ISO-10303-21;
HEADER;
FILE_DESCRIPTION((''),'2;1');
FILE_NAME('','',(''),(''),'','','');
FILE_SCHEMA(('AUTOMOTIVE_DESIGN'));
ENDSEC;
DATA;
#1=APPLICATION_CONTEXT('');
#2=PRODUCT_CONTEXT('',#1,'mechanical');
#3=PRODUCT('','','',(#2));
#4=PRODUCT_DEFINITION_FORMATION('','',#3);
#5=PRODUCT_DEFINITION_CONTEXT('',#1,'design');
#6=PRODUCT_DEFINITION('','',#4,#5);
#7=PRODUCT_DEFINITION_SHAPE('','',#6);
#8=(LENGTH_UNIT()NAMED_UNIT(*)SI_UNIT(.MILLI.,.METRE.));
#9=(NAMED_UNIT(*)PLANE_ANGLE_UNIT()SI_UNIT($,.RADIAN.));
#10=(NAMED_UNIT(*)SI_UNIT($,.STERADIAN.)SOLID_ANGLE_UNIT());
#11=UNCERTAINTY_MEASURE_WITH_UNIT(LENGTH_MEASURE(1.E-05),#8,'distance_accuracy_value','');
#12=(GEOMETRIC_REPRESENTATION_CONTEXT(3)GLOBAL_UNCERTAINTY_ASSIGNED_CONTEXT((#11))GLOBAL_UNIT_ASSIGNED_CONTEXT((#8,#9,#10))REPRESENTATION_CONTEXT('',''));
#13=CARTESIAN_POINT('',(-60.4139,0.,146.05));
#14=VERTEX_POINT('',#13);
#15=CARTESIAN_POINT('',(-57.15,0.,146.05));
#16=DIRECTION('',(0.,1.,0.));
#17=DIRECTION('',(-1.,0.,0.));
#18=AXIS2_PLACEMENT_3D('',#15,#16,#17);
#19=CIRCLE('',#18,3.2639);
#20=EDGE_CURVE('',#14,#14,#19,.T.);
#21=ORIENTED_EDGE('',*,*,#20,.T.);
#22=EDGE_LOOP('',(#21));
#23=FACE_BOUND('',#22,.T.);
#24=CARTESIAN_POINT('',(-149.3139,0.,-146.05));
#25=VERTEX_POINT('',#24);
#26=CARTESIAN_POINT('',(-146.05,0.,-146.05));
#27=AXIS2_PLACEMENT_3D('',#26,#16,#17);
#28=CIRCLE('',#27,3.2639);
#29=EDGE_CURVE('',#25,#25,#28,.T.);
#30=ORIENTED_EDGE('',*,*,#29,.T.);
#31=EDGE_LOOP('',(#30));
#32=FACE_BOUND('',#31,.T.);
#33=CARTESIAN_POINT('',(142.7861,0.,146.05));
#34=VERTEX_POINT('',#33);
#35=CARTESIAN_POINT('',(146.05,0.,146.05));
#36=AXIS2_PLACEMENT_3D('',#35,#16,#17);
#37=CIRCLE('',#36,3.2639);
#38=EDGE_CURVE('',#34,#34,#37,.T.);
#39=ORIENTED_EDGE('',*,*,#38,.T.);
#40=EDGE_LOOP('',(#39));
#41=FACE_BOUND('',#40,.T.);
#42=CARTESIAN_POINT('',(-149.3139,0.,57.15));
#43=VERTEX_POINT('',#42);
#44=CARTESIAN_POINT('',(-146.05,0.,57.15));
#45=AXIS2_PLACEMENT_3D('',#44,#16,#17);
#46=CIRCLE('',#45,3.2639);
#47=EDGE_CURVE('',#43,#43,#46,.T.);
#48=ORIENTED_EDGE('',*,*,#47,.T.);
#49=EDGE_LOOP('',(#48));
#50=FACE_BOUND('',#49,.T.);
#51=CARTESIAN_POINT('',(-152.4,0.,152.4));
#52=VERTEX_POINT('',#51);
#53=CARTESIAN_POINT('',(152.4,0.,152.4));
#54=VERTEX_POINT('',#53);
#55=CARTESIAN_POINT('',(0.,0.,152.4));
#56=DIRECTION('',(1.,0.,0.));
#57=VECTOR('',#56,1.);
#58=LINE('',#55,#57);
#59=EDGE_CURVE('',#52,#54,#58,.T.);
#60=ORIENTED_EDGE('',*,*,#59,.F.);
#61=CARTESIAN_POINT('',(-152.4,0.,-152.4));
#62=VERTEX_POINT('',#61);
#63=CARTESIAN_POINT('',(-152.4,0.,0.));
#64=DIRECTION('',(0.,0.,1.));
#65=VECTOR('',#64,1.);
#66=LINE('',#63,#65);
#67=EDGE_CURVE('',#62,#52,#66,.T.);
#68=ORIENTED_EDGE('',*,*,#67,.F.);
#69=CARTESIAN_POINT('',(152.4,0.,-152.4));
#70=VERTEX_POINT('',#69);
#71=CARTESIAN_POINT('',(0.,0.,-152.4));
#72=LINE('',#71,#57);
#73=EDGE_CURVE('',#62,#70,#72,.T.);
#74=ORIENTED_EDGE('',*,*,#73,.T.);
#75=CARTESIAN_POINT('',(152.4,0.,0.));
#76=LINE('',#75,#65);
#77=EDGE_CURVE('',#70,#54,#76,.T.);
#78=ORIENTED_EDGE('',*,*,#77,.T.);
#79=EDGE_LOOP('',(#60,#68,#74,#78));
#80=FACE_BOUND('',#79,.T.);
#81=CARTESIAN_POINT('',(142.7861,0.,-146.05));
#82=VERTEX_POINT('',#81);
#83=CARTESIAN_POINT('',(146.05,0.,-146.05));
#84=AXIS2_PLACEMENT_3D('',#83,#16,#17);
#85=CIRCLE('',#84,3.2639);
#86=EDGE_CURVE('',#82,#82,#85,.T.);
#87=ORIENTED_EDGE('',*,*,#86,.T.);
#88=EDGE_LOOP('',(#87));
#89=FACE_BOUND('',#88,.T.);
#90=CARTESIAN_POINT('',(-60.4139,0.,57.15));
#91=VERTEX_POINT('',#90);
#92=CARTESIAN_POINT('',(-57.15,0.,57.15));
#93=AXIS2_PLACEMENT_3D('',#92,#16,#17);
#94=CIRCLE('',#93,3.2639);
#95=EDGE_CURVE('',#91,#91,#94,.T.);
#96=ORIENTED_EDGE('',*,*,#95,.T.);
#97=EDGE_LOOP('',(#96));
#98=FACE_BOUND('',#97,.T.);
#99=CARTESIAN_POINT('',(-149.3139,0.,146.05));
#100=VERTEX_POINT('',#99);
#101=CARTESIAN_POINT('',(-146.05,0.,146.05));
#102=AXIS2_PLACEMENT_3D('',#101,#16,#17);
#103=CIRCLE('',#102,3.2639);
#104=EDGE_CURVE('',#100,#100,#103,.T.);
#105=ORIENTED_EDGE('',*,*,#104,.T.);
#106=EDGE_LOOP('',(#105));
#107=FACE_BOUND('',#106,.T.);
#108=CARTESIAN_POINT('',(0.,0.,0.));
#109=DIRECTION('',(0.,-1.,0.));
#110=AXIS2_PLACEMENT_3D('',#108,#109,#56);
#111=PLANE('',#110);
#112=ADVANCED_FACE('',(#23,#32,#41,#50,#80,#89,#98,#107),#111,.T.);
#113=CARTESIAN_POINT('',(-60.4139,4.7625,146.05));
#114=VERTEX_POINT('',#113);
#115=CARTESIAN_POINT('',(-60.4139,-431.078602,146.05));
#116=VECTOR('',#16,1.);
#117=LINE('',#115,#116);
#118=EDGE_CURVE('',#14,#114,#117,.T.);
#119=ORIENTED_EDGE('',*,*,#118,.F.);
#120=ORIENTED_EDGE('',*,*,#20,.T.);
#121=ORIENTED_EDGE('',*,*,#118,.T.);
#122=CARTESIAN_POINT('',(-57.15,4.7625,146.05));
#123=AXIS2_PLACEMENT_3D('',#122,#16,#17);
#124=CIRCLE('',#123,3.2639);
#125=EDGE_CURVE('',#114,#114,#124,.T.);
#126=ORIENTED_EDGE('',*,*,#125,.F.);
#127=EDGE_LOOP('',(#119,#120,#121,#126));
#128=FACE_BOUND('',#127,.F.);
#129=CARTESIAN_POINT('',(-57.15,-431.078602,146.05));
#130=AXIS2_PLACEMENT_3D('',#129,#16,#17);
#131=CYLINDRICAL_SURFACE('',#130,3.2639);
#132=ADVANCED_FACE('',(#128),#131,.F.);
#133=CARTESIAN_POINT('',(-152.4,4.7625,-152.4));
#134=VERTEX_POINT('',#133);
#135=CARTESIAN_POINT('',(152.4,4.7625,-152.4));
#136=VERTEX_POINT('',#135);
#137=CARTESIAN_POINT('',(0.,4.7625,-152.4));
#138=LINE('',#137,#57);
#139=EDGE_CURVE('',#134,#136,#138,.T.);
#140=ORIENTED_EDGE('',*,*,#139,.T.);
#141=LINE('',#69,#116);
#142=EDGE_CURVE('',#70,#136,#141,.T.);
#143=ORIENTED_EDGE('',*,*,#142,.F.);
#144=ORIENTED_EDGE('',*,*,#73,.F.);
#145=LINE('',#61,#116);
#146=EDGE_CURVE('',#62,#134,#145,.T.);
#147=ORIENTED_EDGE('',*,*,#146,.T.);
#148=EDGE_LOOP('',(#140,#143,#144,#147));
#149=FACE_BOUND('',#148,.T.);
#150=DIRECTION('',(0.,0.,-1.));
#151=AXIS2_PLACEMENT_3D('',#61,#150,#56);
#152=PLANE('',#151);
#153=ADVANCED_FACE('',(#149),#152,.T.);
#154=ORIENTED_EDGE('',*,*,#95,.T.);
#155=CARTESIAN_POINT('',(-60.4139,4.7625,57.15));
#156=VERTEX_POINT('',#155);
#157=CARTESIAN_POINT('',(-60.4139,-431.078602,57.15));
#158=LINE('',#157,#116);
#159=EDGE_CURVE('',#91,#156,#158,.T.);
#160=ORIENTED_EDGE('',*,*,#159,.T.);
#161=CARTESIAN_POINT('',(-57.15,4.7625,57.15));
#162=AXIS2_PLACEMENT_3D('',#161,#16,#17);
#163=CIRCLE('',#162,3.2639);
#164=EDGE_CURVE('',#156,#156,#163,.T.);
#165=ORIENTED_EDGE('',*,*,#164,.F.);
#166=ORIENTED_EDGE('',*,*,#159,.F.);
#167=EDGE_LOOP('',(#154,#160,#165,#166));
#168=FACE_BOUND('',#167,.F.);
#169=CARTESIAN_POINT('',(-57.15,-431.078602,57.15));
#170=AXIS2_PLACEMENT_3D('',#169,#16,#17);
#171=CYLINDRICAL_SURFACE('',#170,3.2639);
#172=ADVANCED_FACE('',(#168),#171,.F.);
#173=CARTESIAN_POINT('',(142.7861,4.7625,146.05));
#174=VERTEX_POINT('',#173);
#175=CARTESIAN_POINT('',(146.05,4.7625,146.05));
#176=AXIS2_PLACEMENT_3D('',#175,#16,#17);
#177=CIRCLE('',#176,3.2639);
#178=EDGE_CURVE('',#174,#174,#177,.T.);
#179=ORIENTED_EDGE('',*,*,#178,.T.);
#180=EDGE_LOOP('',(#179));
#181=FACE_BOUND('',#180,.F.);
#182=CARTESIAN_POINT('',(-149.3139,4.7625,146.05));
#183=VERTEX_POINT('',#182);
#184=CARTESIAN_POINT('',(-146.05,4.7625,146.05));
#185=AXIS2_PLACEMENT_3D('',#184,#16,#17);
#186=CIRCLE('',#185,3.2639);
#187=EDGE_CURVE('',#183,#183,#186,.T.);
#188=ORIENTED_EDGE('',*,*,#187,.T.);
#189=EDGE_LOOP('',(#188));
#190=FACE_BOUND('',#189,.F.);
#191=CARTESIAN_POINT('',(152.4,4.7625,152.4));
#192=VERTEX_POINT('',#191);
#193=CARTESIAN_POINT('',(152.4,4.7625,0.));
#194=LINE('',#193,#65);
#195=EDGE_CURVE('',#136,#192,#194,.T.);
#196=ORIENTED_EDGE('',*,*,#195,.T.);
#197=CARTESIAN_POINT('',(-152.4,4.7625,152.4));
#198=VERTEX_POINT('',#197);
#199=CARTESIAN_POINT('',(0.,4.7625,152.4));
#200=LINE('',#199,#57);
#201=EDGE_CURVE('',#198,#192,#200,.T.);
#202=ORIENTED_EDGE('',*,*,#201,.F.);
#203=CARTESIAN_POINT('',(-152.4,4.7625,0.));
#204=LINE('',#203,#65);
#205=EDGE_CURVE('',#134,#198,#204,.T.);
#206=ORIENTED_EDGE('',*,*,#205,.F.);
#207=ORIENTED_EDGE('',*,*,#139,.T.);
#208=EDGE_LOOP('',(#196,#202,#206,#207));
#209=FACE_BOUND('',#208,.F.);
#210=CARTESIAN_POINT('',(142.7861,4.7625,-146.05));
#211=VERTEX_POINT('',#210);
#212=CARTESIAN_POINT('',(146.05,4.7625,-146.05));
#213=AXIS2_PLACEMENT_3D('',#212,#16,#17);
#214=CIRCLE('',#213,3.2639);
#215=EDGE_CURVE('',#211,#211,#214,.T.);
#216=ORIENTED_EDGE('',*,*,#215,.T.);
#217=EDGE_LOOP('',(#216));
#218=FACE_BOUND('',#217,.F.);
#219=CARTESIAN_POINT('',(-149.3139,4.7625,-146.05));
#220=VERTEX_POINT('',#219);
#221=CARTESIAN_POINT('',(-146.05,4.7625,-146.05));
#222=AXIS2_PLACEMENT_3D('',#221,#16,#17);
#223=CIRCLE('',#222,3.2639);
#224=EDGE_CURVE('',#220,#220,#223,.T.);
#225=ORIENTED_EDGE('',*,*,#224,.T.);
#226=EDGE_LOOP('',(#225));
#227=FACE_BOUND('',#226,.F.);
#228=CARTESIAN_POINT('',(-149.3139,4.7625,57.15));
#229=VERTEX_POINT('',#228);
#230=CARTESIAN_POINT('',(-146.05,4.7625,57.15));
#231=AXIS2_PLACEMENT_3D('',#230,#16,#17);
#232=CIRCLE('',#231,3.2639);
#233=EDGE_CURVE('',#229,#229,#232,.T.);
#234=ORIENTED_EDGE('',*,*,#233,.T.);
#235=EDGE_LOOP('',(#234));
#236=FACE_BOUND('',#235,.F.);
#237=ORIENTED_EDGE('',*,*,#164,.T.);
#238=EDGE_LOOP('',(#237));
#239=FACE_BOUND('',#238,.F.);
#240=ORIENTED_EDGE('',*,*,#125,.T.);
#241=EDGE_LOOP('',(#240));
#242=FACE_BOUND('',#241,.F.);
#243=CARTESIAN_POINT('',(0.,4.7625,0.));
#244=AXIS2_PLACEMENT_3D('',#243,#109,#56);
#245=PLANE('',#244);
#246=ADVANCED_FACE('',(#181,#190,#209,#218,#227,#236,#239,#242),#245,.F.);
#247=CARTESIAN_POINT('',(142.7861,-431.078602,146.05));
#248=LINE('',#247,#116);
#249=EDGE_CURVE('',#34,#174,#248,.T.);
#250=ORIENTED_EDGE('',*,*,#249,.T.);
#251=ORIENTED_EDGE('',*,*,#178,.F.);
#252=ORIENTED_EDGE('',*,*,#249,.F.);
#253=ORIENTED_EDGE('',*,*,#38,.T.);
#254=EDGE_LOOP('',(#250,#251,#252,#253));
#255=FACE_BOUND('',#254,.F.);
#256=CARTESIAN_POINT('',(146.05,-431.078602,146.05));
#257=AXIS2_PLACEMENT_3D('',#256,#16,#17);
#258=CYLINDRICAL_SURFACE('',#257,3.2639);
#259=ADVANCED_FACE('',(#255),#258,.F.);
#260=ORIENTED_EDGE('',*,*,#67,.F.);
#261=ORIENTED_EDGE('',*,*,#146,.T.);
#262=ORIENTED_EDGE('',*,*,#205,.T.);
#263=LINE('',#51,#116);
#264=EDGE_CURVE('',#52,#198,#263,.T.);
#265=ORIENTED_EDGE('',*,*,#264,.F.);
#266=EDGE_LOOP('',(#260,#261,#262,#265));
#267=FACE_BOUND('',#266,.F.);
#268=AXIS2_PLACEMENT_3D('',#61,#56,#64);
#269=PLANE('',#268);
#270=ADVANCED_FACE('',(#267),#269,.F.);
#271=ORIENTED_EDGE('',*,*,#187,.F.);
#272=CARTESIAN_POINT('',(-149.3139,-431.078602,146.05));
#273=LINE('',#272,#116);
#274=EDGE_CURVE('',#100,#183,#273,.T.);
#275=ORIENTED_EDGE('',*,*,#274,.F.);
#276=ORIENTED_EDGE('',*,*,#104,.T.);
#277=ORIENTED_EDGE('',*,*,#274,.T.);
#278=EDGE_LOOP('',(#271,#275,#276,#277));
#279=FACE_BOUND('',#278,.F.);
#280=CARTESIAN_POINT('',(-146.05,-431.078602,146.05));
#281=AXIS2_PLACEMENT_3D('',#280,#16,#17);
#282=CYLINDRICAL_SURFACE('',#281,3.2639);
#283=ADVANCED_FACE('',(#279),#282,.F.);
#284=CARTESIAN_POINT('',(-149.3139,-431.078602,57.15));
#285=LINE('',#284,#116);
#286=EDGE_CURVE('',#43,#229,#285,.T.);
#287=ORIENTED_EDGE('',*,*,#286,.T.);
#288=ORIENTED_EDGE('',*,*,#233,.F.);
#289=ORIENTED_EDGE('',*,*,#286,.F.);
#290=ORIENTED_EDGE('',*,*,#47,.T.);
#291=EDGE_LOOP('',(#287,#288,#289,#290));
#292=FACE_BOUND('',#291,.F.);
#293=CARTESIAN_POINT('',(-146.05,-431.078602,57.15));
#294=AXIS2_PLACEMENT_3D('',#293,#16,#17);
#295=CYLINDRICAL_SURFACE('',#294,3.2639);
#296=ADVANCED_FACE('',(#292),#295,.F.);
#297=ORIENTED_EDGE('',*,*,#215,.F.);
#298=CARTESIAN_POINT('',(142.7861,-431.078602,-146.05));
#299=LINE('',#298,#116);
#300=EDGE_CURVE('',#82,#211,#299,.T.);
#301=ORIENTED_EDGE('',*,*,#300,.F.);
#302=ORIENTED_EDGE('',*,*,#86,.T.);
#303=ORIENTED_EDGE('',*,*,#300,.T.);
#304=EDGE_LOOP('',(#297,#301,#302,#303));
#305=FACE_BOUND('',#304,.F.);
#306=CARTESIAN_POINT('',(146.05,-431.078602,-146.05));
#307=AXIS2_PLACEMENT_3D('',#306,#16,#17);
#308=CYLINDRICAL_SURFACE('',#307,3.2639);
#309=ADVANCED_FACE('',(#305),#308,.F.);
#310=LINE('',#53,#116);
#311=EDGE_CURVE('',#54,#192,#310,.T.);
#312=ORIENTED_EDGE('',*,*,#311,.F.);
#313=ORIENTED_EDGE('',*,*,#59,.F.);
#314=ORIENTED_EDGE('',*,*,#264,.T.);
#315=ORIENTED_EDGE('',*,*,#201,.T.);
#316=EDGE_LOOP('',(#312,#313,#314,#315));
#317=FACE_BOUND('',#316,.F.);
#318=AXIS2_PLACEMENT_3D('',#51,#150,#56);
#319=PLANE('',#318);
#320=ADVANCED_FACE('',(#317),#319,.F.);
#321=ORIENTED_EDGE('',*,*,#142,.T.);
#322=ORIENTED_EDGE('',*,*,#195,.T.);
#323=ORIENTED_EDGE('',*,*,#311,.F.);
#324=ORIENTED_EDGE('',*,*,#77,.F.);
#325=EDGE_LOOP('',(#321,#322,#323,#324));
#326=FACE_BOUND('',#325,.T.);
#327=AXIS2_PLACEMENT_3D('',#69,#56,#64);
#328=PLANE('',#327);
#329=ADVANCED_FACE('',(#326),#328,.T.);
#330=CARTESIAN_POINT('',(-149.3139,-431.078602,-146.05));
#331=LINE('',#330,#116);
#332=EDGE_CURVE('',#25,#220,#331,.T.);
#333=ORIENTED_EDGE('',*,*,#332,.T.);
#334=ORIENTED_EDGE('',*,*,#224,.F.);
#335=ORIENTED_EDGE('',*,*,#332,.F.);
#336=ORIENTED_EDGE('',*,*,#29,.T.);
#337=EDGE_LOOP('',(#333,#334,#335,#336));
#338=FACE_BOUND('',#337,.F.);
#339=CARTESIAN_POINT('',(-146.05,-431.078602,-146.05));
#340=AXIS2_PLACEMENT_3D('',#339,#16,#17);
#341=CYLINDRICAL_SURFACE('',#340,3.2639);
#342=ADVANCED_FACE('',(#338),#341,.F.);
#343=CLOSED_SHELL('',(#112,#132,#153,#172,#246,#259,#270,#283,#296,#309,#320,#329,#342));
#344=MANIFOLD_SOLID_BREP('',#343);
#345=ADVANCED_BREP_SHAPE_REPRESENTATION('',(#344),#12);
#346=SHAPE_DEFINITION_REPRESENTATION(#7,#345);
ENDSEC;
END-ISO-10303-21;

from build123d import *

# Parameters (mm, degrees)
F0_W     = 304.8
F0_H     = 304.8
F0_W_2   = 88.9
F0_H_2   = 88.9
F0_R     = 12.7
F1_DEPTH = 4.7625
F2_D     = 6.5278
F3_D     = 6.5278


with BuildPart() as f1:
    # F0 (on Front) → F1 (new body)
    with BuildSketch(Plane.XZ):
        Rectangle(F0_W, F0_H)
        with Locations((-101.6, 101.6)):
            Rectangle(F0_W_2, F0_H_2, mode=Mode.SUBTRACT)
        with Locations((-101.6, 101.6)):
            Rectangle(F0_W_2, F0_H_2)
        with Locations((-101.6, 101.6)):
            Circle(F0_R, mode=Mode.SUBTRACT)
        with Locations((-101.6, 101.6)):
            Circle(F0_R)
    extrude(amount=-F1_DEPTH)

    # F2 (through all)
    with Locations(Plane.XZ):
        with Locations((-146.05, 146.05), (146.05, -146.05), (146.05, 146.05), (-146.05, -146.05)):
            Hole(F2_D / 2)

    # F3 (through all)
    with Locations(Plane.XZ):
        with Locations((-146.05, 146.05), (-57.15, 146.05), (-57.15, 57.15), (-146.05, 57.15)):
            Hole(F3_D / 2)


solid = f1.part
